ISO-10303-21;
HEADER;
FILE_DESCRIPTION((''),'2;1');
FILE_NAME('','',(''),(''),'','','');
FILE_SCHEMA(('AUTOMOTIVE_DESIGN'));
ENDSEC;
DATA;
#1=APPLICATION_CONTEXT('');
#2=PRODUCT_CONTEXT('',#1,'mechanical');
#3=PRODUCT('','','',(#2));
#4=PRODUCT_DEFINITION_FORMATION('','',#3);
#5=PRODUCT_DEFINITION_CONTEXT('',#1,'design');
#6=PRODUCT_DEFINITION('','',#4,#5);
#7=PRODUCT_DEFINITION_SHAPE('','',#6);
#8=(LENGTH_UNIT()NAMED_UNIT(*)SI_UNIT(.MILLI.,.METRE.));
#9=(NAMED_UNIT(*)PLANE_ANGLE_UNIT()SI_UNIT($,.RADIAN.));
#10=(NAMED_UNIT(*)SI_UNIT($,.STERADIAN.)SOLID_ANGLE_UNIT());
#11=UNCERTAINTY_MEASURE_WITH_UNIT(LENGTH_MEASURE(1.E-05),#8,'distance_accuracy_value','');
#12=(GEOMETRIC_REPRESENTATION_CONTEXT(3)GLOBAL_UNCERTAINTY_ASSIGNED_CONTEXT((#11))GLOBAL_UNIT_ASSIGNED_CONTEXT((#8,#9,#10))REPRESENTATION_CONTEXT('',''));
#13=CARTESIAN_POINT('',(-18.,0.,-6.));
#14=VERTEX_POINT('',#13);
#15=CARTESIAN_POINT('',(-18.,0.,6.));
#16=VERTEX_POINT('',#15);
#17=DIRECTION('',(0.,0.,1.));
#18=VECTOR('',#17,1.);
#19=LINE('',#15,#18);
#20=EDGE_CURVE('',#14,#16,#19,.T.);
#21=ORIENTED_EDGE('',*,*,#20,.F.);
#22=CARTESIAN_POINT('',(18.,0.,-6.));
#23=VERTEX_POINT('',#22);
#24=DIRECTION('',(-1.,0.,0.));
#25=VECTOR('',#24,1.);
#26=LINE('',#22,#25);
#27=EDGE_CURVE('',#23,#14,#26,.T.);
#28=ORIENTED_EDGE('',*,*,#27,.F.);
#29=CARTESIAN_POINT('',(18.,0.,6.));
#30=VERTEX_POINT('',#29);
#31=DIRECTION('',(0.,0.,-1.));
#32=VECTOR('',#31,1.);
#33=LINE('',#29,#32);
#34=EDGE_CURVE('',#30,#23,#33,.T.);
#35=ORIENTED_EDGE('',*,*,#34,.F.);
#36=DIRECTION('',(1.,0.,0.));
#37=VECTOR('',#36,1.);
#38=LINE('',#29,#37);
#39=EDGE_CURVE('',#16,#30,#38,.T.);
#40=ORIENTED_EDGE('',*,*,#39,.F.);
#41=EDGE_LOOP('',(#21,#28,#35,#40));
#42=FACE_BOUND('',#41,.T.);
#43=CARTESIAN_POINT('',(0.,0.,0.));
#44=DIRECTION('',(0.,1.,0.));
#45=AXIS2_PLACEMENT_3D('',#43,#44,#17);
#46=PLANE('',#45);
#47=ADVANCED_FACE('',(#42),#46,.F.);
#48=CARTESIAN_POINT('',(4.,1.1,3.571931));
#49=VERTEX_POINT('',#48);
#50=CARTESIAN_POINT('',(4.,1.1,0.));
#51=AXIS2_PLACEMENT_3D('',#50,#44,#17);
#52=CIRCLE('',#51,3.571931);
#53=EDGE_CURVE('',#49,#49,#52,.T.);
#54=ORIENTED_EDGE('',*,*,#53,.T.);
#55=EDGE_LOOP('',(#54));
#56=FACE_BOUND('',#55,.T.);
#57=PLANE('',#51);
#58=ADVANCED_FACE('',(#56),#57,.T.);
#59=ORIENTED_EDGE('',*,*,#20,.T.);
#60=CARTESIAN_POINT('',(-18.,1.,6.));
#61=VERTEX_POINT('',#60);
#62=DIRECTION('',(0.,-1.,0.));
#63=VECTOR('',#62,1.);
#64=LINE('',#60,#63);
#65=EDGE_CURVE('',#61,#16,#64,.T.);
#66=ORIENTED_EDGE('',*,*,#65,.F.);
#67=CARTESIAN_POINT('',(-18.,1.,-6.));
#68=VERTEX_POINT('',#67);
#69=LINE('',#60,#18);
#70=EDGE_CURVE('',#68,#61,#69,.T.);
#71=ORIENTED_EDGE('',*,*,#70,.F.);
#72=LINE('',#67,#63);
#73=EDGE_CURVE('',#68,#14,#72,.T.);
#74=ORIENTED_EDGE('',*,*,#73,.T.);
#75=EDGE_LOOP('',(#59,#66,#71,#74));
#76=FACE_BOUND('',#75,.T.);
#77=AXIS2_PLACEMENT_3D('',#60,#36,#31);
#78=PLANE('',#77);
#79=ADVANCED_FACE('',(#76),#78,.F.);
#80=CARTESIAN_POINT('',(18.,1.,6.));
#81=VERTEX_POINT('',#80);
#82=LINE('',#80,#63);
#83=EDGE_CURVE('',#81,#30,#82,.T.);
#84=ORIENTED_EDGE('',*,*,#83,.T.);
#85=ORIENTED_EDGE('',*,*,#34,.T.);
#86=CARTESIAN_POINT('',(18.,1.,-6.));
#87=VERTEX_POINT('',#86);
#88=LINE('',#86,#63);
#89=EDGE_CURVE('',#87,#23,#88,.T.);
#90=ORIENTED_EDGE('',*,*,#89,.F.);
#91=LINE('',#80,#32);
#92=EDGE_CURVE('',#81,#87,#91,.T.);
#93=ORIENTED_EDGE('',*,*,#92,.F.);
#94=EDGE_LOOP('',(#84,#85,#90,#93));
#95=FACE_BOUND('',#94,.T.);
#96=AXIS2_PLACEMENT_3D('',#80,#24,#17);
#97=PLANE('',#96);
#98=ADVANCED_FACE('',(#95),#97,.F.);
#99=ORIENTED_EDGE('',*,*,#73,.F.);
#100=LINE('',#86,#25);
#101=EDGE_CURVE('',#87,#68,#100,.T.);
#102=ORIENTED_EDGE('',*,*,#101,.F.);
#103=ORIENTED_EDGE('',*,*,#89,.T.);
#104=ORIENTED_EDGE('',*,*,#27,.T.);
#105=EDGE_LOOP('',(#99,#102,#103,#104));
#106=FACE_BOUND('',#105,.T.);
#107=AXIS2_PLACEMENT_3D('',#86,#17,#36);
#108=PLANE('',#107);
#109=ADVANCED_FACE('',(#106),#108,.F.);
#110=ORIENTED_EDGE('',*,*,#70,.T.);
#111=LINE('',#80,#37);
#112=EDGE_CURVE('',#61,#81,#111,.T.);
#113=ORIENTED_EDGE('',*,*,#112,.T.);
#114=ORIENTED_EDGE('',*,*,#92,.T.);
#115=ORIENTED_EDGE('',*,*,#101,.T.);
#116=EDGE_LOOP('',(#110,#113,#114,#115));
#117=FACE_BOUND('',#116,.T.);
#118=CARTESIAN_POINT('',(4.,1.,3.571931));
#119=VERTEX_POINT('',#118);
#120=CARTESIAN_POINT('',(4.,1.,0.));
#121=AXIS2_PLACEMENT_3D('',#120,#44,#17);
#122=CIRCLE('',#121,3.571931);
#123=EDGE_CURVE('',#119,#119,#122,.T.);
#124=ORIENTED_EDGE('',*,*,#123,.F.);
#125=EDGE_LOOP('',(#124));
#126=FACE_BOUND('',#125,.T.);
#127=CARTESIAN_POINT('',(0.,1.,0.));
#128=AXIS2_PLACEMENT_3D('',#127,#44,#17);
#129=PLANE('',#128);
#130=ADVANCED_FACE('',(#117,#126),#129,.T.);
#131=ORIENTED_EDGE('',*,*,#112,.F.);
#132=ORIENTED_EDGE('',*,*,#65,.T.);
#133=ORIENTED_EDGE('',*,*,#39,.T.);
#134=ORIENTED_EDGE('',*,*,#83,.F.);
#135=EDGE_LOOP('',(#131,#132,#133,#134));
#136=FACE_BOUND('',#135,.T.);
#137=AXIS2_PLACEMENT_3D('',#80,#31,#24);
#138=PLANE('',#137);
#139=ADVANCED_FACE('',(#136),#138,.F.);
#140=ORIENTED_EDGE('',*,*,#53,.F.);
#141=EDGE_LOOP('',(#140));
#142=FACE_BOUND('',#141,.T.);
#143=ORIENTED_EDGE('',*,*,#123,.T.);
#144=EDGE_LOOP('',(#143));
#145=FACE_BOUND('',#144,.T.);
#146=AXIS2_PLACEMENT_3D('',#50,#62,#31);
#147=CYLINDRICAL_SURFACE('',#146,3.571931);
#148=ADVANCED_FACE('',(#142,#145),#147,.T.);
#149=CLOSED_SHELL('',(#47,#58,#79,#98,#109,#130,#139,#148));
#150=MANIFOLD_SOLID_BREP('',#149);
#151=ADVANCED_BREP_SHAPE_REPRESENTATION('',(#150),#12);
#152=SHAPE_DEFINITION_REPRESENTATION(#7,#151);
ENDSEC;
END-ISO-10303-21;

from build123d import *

# Parameters (mm, degrees)
SKETCH1_W = 36
SKETCH1_H = 12
SPE_DEPTH = 1
SKETCH2_R = 3.571930641
WE_DEPTH  = 0.1


with BuildPart() as part:
    # Sketch1 → SPE (new body)
    with BuildSketch(Plane(origin=(0, 0, 0), x_dir=(1, 0, 0), z_dir=(0, 1, 0))):
        Rectangle(SKETCH1_W, SKETCH1_H)
    extrude(amount=SPE_DEPTH)

    # Sketch2 → WE (add)
    with BuildSketch(Plane(origin=(0, 1, 0), x_dir=(1, 0, 0), z_dir=(0, 1, 0))):
        with Locations((4, 0)):
            Circle(SKETCH2_R)
    extrude(amount=WE_DEPTH)


solid = part.part
